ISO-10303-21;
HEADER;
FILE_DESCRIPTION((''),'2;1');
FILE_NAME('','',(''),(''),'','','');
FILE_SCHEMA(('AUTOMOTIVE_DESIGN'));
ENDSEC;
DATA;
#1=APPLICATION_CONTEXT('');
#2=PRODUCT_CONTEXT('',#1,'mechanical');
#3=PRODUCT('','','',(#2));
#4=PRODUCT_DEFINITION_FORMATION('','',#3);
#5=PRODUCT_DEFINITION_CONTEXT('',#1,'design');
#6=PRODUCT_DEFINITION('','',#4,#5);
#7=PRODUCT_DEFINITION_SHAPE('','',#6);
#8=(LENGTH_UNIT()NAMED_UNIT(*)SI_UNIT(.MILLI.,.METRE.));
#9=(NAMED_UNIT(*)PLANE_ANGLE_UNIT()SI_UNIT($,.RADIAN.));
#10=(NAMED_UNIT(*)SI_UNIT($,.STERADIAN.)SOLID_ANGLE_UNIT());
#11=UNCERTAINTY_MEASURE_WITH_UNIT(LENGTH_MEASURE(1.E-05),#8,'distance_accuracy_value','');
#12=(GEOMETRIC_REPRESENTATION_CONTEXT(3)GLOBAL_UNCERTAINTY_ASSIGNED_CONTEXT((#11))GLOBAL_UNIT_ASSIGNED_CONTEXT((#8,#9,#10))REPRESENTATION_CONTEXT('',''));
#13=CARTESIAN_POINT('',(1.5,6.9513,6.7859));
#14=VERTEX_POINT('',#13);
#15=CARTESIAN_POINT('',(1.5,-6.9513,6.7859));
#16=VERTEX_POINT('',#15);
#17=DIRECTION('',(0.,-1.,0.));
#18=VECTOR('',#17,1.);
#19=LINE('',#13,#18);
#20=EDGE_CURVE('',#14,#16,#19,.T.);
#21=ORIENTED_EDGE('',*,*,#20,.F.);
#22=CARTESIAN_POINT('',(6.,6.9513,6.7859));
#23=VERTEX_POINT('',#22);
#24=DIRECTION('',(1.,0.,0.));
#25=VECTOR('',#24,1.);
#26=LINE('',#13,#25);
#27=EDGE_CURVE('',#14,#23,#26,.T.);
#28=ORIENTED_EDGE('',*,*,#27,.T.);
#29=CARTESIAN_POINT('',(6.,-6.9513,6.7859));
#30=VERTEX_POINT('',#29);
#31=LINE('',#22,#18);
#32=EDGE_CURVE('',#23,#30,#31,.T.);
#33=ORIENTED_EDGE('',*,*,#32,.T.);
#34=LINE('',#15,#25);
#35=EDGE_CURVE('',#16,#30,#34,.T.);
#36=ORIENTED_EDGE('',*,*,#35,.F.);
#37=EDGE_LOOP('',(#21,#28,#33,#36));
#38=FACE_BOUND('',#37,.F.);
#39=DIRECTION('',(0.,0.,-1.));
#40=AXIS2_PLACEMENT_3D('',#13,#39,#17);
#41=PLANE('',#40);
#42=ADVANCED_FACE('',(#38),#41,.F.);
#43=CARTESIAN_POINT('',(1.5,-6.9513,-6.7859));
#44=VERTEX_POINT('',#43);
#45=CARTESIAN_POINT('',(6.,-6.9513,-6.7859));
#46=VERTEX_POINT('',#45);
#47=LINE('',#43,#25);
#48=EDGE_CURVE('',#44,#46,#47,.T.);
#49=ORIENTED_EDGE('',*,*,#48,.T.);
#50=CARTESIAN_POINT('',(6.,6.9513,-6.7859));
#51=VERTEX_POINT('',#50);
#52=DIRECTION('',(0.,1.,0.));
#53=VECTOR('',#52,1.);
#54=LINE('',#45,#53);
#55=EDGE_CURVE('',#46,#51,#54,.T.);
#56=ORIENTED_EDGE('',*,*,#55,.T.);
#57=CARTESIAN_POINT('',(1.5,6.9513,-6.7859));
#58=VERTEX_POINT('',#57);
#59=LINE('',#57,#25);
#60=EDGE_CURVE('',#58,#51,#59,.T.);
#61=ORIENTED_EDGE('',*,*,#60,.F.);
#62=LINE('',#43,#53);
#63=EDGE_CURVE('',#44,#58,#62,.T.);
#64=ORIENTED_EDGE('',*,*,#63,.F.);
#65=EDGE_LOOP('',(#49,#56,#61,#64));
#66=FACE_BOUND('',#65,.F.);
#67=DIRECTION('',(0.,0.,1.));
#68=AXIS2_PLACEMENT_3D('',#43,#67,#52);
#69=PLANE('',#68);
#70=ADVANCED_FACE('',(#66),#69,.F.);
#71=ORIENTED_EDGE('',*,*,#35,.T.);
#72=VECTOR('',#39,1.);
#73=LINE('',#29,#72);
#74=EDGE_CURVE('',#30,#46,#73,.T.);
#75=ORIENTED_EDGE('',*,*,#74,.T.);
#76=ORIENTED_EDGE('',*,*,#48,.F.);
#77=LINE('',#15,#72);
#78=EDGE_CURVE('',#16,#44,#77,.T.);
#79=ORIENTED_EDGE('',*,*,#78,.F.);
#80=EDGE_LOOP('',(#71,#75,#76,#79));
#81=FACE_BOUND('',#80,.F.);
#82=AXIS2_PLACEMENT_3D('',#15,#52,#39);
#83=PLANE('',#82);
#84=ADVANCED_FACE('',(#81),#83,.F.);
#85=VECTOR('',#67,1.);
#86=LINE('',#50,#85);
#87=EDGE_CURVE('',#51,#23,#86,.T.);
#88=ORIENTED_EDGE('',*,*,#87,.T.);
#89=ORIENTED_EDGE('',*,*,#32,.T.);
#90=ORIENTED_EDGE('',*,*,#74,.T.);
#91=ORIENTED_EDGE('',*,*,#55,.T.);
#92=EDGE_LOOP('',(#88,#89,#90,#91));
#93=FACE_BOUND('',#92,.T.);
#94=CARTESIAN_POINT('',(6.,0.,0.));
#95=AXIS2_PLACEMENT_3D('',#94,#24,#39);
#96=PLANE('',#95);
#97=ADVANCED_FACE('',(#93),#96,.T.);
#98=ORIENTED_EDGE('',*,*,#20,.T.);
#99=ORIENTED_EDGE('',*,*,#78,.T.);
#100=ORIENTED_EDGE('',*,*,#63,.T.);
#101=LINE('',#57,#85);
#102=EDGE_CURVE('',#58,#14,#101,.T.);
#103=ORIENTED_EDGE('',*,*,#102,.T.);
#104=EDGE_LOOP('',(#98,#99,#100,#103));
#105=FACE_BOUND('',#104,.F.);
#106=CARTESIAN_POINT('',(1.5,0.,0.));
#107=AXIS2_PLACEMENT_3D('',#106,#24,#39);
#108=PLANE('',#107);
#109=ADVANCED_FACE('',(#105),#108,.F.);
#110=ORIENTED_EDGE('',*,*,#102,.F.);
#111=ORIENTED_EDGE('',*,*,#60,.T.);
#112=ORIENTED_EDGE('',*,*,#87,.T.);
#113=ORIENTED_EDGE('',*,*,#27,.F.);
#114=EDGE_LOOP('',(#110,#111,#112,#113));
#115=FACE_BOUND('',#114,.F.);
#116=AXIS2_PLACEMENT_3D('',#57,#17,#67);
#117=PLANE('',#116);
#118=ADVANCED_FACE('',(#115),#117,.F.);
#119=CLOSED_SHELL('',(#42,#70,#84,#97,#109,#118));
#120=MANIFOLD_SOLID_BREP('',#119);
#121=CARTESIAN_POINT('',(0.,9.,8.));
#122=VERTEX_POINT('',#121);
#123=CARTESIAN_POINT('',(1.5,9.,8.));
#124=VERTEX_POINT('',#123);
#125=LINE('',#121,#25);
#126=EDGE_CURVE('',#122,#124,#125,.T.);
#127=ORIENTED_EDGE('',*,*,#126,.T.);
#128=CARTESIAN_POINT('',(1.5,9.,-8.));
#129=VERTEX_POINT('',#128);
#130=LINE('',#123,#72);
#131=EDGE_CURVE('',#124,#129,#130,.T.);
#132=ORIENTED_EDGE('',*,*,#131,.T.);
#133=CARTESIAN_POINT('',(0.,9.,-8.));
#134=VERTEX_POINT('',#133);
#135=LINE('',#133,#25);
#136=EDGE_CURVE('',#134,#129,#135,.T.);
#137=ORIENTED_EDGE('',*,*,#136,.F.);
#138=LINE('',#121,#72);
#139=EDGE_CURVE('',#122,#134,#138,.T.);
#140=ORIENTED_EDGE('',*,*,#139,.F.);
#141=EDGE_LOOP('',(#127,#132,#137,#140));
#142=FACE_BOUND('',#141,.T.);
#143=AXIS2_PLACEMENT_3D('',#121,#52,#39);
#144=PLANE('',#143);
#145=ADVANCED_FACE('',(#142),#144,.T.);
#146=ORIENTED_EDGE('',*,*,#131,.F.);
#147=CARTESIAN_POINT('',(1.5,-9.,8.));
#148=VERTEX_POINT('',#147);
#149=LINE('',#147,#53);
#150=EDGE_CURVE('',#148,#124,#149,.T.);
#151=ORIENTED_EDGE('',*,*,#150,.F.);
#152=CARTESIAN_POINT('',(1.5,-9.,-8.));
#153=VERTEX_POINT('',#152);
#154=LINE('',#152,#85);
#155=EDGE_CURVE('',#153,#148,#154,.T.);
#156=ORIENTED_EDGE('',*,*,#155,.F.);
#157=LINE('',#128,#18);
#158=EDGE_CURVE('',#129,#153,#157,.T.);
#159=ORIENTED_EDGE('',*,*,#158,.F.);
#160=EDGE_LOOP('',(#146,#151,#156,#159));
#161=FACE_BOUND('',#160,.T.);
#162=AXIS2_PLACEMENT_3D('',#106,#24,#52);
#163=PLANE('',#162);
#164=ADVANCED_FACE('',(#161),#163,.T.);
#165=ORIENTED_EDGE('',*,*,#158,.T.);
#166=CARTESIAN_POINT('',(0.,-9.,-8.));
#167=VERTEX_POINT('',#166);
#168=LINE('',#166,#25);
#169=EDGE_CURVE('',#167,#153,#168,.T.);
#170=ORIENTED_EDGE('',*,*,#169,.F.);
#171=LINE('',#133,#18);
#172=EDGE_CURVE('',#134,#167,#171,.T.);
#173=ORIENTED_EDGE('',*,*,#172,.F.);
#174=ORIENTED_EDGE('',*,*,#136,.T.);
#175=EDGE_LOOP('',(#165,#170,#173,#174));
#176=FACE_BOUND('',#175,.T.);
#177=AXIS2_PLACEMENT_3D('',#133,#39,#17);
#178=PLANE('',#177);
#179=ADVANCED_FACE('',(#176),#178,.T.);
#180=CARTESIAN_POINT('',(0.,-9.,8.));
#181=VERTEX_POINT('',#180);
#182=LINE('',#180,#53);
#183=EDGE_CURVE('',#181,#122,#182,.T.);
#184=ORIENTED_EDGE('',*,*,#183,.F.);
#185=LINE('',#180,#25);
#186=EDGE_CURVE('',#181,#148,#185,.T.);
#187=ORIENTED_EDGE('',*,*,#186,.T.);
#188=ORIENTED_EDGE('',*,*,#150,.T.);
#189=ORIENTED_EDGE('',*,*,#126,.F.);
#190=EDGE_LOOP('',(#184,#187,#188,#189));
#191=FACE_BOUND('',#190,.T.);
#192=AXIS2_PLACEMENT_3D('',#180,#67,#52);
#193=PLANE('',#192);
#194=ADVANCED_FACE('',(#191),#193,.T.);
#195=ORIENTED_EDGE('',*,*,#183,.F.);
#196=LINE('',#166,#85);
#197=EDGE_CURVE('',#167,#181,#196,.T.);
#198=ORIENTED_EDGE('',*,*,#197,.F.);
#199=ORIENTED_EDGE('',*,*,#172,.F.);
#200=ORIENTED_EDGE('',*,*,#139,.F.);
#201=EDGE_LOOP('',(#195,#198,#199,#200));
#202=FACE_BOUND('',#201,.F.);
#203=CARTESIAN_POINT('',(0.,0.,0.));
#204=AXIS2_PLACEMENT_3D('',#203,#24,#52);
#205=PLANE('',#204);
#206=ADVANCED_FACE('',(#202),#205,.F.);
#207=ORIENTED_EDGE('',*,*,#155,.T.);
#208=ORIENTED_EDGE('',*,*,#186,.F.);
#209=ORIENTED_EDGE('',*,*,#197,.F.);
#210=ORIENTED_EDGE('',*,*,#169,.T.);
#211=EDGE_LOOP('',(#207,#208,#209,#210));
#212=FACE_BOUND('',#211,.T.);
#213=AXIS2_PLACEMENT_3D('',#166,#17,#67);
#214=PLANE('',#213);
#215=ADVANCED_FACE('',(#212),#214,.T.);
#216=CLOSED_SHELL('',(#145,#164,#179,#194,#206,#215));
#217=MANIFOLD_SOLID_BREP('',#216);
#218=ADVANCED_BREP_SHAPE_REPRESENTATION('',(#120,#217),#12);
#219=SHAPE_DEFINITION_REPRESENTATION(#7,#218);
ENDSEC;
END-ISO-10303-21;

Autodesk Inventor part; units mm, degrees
ref_plane "YZ Plane" through (0, 0, 0) normal (1, 0, 0) x (0, 1, 0)
ref_plane "XZ Plane" through (0, 0, 0) normal (0, 1, 0) x (-1, 0, 0)
ref_plane "XY Plane" through (0, 0, 0) normal (0, 0, 1) x (1, 0, 0)
sketch "Skizze1" plane through (0, 0, 0) normal (1, 0, 0) x (0, 1, 0)
  line L0 (9, -8) -> (-9, -8)
  line L1 (-9, -8) -> (-9, 8)
  line L2 (-9, 8) -> (9, 8)
  line L3 (9, 8) -> (9, -8)
  line L4 (9, -8) -> (-9, 8) construction
  line L5 (-9, -8) -> (9, 8) construction
  point P0 (0, 0)
  dimension "d0" = 16
  dimension "d1" = 18
extrude "Extrusion1" add sketch "Skizze1" along normal blind 1.5
sketch "Skizze2" plane through (1.5, 0, 0) normal (1, 0, 0) x (0, 0, -1)
  line L0 (6.7859, 6.9513) -> (-6.7859, 6.9513)
  line L1 (-6.7859, 6.9513) -> (-6.7859, -6.9513)
  line L2 (-6.7859, -6.9513) -> (6.7859, -6.9513)
  line L3 (6.7859, -6.9513) -> (6.7859, 6.9513)
  line L4 (6.7859, 6.9513) -> (-6.7859, -6.9513) construction
  line L5 (-6.7859, 6.9513) -> (6.7859, -6.9513) construction
  point P0 (0, 0)
extrude "Extrusion2" add sketch "Skizze2" along normal blind 4.5 separate body
properties part number "P_driver"
